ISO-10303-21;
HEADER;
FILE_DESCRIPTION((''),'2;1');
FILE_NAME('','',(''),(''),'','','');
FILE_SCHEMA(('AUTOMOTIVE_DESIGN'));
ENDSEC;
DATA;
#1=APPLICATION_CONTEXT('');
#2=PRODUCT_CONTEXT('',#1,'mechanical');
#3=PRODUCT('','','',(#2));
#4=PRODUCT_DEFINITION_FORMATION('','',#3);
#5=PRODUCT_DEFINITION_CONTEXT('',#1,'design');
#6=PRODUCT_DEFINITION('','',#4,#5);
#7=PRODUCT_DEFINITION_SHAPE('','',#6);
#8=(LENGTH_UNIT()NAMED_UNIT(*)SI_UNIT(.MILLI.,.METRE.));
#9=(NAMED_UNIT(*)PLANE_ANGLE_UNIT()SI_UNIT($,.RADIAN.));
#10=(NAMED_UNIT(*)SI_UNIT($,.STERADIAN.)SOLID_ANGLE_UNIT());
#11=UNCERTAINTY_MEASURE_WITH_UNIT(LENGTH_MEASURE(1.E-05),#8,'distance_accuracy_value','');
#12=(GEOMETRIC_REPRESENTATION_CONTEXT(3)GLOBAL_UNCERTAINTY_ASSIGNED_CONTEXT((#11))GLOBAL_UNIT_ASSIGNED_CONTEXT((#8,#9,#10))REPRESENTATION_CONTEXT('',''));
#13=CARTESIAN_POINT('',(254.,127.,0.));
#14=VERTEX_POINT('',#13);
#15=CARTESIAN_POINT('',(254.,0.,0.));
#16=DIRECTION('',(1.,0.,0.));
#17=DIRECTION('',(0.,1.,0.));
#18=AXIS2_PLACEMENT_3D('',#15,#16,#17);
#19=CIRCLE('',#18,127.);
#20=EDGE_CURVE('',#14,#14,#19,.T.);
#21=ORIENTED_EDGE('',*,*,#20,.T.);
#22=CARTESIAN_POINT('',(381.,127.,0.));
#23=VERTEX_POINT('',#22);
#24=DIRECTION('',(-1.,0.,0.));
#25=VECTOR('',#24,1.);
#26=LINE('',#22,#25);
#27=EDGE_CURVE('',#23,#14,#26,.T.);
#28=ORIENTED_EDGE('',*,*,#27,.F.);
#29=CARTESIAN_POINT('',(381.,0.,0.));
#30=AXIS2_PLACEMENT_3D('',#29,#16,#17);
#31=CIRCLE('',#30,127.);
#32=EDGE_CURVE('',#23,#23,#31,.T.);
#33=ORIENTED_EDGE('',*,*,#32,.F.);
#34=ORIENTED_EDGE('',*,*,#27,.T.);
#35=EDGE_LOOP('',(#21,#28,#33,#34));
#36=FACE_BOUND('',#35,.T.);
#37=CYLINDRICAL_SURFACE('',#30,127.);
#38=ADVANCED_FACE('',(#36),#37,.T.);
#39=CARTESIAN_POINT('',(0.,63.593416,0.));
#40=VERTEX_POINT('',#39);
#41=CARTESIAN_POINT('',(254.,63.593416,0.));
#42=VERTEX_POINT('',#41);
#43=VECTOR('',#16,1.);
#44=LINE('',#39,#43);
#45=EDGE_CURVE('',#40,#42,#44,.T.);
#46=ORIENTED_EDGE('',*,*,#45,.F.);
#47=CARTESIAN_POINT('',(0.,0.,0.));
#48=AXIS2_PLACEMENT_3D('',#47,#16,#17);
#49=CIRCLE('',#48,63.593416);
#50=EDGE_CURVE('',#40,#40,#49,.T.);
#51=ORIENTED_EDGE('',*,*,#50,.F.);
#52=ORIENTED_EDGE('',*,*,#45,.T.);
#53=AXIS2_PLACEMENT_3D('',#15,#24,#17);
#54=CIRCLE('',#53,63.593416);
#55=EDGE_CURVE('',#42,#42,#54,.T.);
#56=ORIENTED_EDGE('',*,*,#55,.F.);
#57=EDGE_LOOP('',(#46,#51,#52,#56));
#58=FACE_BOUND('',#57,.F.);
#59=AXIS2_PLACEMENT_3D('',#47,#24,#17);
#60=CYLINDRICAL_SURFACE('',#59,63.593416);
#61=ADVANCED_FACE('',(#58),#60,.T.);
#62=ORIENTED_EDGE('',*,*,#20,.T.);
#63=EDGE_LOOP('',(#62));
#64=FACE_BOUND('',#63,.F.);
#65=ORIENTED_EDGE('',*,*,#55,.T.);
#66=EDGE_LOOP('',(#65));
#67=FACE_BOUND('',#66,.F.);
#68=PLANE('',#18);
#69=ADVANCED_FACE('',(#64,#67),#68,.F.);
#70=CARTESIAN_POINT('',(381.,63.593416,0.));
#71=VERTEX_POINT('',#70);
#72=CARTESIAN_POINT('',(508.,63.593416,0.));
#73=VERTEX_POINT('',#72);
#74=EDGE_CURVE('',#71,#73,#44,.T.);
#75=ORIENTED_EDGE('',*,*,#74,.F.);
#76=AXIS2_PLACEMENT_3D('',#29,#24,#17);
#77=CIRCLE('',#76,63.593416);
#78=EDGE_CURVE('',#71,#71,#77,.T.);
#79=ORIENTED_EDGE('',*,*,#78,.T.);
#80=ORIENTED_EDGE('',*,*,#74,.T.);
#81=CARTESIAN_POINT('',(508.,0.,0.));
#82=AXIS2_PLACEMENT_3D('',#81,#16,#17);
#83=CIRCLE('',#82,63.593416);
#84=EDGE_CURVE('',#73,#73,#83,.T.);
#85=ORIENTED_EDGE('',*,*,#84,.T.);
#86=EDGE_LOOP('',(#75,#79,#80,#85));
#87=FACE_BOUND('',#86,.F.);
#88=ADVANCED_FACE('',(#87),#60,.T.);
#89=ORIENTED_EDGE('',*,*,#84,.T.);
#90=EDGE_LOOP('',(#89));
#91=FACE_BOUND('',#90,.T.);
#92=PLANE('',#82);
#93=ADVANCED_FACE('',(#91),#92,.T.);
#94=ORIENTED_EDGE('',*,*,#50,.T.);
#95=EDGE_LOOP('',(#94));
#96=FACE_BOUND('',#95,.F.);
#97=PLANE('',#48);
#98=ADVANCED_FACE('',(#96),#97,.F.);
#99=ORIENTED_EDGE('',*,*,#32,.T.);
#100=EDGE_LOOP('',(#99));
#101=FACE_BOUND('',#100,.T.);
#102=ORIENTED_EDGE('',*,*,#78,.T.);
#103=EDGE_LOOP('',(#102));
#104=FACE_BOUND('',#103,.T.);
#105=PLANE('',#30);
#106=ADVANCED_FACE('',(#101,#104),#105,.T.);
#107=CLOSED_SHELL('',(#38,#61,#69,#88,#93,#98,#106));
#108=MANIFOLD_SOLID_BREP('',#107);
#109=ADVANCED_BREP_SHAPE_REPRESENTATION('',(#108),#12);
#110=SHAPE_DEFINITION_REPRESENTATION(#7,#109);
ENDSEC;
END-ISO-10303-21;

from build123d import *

# Parameters (mm, degrees)
F0_R     = 63.593416
F1_DEPTH = 508
F3_R     = 127
F4_DEPTH = 127


with BuildPart() as f1:
    # F0 (on Right) → F1 (new body)
    with BuildSketch(Plane.YZ):
        Circle(F0_R)
    extrude(amount=F1_DEPTH)

    # F3 (on offset) → F4 (join)
    with BuildSketch(Plane.YZ.offset(381)):
        Circle(F3_R)
    extrude(amount=-F4_DEPTH)


solid = f1.part
